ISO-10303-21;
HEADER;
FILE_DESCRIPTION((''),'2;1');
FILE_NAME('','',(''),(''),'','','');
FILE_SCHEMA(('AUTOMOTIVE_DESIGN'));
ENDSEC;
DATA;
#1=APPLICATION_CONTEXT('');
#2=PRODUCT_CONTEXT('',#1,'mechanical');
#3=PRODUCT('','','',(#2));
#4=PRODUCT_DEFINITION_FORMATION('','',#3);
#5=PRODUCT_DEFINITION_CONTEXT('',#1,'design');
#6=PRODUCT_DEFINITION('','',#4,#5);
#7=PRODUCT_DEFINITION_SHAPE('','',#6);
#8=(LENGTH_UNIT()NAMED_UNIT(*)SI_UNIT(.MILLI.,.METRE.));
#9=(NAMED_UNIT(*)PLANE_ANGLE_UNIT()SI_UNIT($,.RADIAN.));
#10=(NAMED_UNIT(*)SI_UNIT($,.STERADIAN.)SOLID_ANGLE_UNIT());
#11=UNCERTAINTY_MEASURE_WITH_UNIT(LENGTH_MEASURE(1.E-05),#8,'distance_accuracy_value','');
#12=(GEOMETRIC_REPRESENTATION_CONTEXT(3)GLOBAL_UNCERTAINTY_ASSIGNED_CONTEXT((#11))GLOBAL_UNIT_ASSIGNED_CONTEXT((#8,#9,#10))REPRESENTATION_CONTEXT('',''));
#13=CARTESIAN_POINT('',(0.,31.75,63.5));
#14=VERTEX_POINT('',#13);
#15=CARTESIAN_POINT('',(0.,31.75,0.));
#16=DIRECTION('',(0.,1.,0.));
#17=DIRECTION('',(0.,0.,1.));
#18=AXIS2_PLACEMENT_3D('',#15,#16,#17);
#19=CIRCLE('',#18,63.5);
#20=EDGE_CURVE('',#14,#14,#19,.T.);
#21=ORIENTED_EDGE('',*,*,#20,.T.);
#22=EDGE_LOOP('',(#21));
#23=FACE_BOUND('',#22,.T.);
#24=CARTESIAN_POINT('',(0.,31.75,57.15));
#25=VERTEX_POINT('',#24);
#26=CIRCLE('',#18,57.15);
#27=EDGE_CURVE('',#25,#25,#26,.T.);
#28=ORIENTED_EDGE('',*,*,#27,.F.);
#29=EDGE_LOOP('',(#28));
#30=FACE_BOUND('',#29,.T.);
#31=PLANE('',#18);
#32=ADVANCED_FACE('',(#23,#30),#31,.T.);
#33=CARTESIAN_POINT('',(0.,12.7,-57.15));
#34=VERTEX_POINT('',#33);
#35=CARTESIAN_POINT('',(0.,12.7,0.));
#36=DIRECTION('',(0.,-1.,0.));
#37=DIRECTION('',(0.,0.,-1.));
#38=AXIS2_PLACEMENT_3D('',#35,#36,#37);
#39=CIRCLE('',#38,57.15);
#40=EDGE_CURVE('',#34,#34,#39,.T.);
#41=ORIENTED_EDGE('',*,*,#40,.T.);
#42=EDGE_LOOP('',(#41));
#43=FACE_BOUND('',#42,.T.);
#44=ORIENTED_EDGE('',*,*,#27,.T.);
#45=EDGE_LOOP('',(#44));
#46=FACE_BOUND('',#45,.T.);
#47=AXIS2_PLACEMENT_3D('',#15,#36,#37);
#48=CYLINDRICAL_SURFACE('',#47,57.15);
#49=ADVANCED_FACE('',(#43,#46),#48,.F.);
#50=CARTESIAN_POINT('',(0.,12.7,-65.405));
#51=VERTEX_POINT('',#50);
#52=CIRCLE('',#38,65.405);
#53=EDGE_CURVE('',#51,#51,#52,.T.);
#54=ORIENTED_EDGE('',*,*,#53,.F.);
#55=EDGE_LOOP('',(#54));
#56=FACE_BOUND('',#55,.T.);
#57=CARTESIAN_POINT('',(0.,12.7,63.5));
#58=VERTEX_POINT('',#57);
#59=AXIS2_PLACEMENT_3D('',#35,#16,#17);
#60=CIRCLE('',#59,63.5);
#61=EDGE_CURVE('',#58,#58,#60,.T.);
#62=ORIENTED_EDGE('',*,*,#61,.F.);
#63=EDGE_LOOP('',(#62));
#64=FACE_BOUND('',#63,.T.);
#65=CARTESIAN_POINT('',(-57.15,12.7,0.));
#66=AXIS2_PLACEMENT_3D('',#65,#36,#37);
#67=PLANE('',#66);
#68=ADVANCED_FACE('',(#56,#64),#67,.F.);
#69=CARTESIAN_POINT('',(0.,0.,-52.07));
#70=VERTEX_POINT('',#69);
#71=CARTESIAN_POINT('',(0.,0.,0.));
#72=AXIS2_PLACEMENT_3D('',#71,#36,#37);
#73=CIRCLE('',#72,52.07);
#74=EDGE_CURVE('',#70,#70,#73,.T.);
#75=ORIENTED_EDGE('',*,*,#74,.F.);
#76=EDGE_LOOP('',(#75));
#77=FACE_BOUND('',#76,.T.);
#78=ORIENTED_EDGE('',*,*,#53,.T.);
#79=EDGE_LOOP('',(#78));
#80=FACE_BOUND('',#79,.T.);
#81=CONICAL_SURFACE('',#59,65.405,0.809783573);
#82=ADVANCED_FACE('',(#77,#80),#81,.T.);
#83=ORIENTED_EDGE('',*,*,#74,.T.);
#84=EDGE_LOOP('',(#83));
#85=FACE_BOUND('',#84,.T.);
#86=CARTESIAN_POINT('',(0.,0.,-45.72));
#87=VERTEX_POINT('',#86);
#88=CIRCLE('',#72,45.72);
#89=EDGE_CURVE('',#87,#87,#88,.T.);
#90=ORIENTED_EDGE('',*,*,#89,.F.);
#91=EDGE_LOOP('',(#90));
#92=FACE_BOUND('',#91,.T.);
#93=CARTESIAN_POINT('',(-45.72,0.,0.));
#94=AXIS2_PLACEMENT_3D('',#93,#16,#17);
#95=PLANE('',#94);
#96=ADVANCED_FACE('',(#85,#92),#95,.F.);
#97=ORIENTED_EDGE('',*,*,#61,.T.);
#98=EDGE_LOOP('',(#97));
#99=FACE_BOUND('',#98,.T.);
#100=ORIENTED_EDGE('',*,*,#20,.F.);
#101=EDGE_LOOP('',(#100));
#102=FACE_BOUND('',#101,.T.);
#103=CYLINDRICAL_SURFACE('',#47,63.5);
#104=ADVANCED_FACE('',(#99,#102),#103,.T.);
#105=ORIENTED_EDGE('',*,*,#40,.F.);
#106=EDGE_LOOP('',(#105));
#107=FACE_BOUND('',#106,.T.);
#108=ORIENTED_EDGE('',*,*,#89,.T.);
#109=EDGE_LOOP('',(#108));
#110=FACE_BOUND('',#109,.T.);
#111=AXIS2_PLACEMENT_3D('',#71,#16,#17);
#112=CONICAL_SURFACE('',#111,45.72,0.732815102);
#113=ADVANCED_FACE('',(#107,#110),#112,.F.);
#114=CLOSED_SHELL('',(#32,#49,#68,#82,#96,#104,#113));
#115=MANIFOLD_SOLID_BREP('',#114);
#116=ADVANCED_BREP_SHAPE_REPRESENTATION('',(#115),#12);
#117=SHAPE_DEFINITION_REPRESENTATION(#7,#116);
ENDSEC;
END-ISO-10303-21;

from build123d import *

# Parameters (mm, degrees)
SKETCH3_R           = 63.5
SKETCH3_R_2         = 57.15
BOSS_EXTRUDE1_DEPTH = 19.05


with BuildPart() as part:
    # Sketch2 → Revolve1 (revolve)
    with BuildSketch(Plane.XY):
        Polygon((-45.72, 0), (-52.07, 0), (-65.405, 12.7), (-57.15, 12.7), align=None)
    revolve(axis=Axis((0, 0, 0), (0, 1, 0)))

    # Sketch3 → Boss-Extrude1 (add)
    with BuildSketch(Plane(origin=(0, 12.7, 0), x_dir=(1, 0, 0), z_dir=(0, 1, 0))):
        Circle(SKETCH3_R)
        Circle(SKETCH3_R_2, mode=Mode.SUBTRACT)
    extrude(amount=BOSS_EXTRUDE1_DEPTH)


solid = part.part
